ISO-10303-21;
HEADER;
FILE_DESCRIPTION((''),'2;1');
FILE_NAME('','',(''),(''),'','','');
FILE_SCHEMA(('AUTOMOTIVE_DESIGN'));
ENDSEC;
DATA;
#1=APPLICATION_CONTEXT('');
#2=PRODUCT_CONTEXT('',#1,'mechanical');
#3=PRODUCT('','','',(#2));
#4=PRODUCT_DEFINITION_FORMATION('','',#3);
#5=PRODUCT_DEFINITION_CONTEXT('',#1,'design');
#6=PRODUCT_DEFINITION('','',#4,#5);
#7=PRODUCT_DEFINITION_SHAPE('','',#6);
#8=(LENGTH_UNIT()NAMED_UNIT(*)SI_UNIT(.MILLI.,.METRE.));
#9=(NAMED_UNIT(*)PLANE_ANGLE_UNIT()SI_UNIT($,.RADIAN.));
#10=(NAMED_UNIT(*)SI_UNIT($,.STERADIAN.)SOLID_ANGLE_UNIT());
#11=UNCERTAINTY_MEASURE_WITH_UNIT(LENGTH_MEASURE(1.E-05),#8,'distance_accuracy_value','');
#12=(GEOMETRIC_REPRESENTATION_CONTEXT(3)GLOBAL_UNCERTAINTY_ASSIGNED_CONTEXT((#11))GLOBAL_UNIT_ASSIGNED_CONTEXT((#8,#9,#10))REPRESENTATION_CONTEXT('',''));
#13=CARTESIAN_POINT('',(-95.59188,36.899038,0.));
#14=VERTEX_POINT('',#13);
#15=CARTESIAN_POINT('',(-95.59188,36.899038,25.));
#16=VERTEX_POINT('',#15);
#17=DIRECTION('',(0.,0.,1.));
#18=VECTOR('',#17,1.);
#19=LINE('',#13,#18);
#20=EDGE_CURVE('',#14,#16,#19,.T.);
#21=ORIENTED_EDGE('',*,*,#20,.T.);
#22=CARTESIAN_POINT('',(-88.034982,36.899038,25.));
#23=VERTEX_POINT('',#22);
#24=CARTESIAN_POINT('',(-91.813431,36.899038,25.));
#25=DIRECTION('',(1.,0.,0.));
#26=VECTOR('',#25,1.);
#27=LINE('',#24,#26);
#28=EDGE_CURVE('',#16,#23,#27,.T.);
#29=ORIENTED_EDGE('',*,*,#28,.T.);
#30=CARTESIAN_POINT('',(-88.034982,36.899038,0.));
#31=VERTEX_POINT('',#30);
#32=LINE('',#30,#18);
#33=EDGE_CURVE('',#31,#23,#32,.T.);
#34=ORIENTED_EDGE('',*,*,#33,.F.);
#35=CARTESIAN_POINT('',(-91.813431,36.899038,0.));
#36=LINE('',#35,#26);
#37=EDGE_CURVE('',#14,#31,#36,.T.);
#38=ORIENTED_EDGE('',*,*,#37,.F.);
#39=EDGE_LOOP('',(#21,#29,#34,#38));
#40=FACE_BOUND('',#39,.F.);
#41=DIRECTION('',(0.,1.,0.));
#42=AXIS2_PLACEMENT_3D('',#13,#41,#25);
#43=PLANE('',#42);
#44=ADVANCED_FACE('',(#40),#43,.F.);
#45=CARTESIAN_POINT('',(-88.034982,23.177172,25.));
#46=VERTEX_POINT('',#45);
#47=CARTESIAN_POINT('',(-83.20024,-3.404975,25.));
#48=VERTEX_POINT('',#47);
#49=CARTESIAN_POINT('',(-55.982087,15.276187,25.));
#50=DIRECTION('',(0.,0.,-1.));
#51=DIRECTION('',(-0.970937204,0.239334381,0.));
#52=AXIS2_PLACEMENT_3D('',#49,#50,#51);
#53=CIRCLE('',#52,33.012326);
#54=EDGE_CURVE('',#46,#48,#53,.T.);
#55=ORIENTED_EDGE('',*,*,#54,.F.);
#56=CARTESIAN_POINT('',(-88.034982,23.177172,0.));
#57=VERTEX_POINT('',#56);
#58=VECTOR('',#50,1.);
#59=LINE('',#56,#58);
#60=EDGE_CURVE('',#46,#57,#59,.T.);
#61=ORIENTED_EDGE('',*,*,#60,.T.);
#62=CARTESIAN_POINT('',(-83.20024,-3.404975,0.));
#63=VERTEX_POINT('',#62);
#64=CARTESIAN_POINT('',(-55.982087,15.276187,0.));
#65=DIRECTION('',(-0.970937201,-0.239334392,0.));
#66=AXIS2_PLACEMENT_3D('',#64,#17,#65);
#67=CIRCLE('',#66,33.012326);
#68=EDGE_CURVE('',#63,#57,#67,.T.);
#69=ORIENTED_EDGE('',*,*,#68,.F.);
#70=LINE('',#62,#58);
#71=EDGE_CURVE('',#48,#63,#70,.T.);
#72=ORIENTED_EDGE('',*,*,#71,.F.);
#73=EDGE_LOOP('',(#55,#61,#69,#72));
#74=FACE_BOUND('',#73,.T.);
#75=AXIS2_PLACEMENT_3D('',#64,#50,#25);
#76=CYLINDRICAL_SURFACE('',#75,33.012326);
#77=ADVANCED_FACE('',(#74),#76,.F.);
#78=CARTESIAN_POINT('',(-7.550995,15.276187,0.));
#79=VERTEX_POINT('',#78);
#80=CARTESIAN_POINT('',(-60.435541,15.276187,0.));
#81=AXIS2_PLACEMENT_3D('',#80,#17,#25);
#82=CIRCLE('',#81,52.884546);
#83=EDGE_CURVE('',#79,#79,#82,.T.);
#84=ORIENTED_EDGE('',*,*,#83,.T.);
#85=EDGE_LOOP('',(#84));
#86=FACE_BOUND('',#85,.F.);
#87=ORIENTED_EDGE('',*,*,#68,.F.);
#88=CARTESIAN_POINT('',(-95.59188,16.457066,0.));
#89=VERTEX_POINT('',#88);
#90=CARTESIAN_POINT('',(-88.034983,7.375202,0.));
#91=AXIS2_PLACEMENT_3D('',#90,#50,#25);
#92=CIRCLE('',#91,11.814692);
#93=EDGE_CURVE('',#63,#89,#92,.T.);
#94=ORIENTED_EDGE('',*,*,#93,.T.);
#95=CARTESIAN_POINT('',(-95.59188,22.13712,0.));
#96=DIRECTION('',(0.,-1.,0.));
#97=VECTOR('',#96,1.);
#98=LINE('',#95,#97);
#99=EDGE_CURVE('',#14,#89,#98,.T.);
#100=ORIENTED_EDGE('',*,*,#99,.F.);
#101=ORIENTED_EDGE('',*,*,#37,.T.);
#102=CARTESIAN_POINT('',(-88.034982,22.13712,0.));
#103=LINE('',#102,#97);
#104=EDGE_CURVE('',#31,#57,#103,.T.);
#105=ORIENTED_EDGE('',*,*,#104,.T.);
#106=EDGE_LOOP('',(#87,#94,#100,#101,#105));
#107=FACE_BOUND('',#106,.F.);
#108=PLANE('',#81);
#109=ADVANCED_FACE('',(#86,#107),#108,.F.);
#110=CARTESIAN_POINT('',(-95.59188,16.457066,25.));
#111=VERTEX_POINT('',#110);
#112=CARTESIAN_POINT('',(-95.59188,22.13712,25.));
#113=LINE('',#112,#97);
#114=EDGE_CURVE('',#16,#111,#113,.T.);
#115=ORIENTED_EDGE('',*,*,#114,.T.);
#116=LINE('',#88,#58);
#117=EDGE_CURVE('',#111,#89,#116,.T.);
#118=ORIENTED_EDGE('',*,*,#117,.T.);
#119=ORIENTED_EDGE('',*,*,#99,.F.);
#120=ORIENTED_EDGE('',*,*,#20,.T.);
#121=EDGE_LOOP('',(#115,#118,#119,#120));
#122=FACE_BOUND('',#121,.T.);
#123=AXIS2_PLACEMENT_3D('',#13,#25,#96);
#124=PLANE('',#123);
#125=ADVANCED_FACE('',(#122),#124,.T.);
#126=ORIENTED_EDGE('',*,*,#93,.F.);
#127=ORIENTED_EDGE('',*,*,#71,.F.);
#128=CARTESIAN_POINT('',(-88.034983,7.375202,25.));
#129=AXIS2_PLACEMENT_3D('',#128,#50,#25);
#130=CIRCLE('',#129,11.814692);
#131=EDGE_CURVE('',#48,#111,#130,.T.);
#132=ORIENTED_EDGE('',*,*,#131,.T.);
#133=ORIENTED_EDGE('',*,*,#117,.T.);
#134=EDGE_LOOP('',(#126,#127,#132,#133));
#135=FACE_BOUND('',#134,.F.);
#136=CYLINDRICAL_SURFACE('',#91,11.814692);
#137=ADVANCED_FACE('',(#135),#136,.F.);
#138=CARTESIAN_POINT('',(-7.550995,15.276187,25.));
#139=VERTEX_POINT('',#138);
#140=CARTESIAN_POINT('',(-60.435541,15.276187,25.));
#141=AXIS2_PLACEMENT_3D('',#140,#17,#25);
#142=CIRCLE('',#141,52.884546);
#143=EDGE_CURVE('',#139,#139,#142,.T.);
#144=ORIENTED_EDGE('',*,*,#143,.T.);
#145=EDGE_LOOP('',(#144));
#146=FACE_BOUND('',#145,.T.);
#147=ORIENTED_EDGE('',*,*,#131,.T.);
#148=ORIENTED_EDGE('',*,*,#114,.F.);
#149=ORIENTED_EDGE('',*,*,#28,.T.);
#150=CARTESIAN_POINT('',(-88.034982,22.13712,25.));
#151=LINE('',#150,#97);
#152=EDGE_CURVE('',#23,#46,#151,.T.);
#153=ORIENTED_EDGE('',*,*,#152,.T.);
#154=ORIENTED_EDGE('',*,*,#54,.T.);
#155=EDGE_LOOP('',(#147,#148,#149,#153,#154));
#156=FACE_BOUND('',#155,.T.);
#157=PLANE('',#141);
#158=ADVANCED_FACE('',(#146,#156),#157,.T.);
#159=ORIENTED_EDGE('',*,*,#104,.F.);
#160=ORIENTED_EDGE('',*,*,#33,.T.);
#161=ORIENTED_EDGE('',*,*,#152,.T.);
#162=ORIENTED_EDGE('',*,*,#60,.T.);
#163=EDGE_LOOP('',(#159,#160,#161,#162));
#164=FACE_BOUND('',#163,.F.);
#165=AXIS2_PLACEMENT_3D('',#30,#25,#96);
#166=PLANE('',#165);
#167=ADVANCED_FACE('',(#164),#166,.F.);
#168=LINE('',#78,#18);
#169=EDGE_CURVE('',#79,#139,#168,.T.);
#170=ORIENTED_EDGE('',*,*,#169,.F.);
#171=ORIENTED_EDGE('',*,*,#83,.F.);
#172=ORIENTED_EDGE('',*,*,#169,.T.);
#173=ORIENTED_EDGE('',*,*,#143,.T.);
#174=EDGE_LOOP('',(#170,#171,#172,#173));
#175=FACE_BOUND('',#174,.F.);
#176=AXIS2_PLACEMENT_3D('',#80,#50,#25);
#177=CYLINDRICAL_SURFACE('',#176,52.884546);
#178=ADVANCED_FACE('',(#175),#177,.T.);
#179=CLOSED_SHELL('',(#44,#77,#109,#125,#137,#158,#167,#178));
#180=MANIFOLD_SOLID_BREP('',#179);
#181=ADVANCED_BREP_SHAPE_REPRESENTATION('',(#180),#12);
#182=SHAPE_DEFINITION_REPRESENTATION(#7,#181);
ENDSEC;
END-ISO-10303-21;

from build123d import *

# Parameters (mm, degrees)
F0_R     = 52.884546
F0_R_2   = 33.012326
F1_DEPTH = 25
F2_W     = 7.556897
F2_H     = 29.523836
F3_DEPTH = 25
F4_R     = 11.814692
F5_DEPTH = 25


with BuildPart() as f1:
    # F0 (on Top) → F1 (new body)
    with BuildSketch(Plane.XY):
        with Locations((-60.435541, 15.276187)):
            Circle(F0_R)
        with Locations((-55.982087, 15.276187)):
            Circle(F0_R_2, mode=Mode.SUBTRACT)
    extrude(amount=F1_DEPTH)

    # F2 (on face) → F3 (cut)
    with BuildSketch(Plane(origin=(0, 0, 0), x_dir=(1, 0, 0), z_dir=(0, 0, -1))):
        with Locations((-91.813431, -22.13712)):
            Rectangle(F2_W, F2_H)
    extrude(amount=-F3_DEPTH, mode=Mode.SUBTRACT)

    # F4 (on face) → F5 (cut)
    with BuildSketch(Plane(origin=(0, 0, 0), x_dir=(1, 0, 0), z_dir=(0, 0, -1))):
        with Locations((-88.034983, -7.375202)):
            Circle(F4_R)
    extrude(amount=-F5_DEPTH, mode=Mode.SUBTRACT)


solid = f1.part
